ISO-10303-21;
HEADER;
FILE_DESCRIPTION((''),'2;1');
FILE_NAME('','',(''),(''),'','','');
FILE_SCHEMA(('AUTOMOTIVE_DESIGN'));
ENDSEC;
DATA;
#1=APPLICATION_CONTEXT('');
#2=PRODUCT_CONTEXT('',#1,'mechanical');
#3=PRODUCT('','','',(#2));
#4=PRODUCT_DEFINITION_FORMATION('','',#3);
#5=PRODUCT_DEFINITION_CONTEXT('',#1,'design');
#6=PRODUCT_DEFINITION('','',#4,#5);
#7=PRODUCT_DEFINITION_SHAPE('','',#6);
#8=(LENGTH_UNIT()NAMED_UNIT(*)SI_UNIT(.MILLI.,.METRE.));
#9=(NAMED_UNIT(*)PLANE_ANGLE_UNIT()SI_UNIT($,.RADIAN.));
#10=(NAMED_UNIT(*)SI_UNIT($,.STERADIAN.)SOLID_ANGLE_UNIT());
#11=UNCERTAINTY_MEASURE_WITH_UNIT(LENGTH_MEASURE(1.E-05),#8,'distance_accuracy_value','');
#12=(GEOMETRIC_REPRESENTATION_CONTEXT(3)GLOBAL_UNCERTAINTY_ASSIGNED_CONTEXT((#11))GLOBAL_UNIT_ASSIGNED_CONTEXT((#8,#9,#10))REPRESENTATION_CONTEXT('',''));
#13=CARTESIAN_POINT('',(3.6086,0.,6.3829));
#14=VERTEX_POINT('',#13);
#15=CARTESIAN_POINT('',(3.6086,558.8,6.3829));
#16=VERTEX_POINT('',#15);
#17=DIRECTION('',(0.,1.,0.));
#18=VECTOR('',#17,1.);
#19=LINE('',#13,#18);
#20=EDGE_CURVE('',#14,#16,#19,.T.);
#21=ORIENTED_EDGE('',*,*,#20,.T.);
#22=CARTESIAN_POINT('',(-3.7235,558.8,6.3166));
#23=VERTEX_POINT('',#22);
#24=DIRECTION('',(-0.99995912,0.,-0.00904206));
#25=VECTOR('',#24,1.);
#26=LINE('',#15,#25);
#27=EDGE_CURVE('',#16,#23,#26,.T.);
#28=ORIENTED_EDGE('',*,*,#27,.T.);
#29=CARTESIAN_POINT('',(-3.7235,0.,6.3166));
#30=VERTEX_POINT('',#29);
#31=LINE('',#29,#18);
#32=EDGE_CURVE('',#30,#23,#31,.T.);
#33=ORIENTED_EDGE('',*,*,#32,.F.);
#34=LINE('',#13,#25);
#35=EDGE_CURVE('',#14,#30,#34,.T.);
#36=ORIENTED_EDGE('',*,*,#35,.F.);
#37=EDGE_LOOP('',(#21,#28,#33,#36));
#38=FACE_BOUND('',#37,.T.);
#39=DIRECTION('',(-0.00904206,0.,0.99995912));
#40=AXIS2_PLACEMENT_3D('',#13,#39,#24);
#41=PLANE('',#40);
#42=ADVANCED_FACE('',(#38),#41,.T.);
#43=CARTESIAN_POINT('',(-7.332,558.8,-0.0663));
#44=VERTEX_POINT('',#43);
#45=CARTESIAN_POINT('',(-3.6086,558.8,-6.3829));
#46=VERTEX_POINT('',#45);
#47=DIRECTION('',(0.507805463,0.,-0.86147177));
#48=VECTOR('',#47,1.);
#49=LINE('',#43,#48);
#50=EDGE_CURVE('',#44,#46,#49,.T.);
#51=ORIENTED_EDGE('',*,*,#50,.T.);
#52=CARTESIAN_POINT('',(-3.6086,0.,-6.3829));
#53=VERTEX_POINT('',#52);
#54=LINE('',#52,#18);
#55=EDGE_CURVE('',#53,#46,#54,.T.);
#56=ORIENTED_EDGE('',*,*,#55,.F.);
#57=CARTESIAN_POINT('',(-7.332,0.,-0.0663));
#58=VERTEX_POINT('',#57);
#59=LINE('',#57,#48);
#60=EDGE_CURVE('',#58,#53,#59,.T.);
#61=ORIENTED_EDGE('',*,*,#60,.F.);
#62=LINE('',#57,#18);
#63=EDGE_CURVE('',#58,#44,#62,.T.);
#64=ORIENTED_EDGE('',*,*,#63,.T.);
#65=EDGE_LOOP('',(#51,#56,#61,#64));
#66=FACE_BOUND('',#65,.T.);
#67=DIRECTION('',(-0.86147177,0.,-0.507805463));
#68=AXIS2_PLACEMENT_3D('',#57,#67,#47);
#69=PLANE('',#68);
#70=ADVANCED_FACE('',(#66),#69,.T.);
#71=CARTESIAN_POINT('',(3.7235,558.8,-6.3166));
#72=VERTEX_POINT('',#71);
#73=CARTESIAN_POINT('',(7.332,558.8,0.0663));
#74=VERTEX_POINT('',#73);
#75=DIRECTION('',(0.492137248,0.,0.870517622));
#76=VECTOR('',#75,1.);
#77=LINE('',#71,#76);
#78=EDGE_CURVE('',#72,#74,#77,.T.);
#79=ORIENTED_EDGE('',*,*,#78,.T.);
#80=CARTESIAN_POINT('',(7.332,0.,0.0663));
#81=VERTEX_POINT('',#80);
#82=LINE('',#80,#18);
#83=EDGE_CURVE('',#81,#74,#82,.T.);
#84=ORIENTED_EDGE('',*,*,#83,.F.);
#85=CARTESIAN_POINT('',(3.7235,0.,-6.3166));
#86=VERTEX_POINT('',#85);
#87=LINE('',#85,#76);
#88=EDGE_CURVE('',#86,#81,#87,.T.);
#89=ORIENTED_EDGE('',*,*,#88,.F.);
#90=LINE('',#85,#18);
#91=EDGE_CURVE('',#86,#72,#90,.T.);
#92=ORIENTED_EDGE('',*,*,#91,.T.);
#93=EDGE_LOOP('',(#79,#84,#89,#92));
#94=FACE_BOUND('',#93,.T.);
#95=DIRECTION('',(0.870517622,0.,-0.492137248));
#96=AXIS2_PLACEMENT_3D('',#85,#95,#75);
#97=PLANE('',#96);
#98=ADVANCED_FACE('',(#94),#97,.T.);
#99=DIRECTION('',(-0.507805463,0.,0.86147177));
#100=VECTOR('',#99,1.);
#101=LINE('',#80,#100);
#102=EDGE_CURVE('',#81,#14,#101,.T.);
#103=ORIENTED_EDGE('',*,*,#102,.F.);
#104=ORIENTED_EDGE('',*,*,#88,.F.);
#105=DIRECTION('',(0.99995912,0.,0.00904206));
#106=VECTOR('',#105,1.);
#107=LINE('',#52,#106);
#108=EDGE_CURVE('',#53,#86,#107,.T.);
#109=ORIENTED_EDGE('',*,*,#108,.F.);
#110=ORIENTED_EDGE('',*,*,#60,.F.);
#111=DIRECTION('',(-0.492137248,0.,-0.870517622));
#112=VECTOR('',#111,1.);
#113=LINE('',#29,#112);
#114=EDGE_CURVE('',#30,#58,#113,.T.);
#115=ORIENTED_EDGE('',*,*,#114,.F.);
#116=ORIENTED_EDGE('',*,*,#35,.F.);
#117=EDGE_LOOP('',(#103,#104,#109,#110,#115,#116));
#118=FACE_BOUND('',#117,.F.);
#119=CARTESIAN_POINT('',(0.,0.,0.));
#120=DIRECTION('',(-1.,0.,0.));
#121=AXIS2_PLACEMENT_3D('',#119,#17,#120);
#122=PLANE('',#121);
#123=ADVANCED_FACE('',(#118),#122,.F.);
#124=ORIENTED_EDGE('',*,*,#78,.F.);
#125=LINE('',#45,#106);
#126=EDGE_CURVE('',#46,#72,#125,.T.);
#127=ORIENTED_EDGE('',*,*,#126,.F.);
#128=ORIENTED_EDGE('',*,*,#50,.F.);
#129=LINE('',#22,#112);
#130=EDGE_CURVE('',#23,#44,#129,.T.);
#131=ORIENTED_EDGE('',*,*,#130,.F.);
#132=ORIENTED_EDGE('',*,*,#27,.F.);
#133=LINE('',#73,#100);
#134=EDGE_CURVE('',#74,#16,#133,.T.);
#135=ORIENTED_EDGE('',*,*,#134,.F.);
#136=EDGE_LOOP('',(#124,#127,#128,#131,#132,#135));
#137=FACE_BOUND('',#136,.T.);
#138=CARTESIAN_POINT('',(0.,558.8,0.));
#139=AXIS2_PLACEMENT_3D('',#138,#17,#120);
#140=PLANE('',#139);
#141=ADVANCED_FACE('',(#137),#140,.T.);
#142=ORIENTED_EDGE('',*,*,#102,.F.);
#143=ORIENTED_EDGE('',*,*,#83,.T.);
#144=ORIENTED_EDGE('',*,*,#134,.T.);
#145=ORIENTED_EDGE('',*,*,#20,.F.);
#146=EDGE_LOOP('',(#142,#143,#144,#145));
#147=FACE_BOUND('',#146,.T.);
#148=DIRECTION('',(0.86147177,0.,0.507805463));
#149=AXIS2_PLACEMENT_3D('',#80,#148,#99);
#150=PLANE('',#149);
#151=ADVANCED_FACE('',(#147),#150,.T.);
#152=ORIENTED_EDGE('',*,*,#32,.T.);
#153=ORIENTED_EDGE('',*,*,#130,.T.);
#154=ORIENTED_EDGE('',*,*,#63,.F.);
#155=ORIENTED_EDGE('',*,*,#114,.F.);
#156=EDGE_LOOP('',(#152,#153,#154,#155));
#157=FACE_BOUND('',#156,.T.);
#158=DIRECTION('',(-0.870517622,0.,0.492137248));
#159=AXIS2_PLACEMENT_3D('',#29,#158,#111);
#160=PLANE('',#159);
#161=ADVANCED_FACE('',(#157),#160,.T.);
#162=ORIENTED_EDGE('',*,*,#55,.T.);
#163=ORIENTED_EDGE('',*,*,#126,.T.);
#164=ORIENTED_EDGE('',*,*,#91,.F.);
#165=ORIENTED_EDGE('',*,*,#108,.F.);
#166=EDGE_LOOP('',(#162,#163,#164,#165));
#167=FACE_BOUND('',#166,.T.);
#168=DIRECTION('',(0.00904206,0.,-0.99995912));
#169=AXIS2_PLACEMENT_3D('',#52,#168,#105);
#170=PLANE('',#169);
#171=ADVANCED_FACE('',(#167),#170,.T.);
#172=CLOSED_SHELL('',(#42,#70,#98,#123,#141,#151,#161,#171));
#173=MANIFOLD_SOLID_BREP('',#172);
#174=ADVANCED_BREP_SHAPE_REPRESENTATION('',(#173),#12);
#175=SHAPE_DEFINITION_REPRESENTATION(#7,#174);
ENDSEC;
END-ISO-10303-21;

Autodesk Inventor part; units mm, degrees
ref_plane "YZ Plane" through (0, 0, 0) normal (1, 0, 0) x (0, 1, 0)
ref_plane "XZ Plane" through (0, 0, 0) normal (0, 1, 0) x (-1, 0, 0)
ref_plane "XY Plane" through (0, 0, 0) normal (0, 0, 1) x (1, 0, 0)
sketch "Sketch1" plane through (0, 0, 0) normal (0, 1, 0) x (-1, 0, 0)
  line L0 (-3.6086, 6.3829) -> (3.7235, 6.3166)
  line L1 (3.7235, 6.3166) -> (7.332, -0.0663)
  line L2 (7.332, -0.0663) -> (3.6086, -6.3829)
  line L3 (3.6086, -6.3829) -> (-3.7235, -6.3166)
  line L4 (-3.7235, -6.3166) -> (-7.332, 0.0663)
  line L5 (-7.332, 0.0663) -> (-3.6086, 6.3829)
  point P0 (0, 0)
  point P1 (0, 0)
  dimension "d0" = 12.7
extrude "Extrusion1" add sketch "Sketch1" along normal blind 558.8
properties part number "rod" material "Steel"
